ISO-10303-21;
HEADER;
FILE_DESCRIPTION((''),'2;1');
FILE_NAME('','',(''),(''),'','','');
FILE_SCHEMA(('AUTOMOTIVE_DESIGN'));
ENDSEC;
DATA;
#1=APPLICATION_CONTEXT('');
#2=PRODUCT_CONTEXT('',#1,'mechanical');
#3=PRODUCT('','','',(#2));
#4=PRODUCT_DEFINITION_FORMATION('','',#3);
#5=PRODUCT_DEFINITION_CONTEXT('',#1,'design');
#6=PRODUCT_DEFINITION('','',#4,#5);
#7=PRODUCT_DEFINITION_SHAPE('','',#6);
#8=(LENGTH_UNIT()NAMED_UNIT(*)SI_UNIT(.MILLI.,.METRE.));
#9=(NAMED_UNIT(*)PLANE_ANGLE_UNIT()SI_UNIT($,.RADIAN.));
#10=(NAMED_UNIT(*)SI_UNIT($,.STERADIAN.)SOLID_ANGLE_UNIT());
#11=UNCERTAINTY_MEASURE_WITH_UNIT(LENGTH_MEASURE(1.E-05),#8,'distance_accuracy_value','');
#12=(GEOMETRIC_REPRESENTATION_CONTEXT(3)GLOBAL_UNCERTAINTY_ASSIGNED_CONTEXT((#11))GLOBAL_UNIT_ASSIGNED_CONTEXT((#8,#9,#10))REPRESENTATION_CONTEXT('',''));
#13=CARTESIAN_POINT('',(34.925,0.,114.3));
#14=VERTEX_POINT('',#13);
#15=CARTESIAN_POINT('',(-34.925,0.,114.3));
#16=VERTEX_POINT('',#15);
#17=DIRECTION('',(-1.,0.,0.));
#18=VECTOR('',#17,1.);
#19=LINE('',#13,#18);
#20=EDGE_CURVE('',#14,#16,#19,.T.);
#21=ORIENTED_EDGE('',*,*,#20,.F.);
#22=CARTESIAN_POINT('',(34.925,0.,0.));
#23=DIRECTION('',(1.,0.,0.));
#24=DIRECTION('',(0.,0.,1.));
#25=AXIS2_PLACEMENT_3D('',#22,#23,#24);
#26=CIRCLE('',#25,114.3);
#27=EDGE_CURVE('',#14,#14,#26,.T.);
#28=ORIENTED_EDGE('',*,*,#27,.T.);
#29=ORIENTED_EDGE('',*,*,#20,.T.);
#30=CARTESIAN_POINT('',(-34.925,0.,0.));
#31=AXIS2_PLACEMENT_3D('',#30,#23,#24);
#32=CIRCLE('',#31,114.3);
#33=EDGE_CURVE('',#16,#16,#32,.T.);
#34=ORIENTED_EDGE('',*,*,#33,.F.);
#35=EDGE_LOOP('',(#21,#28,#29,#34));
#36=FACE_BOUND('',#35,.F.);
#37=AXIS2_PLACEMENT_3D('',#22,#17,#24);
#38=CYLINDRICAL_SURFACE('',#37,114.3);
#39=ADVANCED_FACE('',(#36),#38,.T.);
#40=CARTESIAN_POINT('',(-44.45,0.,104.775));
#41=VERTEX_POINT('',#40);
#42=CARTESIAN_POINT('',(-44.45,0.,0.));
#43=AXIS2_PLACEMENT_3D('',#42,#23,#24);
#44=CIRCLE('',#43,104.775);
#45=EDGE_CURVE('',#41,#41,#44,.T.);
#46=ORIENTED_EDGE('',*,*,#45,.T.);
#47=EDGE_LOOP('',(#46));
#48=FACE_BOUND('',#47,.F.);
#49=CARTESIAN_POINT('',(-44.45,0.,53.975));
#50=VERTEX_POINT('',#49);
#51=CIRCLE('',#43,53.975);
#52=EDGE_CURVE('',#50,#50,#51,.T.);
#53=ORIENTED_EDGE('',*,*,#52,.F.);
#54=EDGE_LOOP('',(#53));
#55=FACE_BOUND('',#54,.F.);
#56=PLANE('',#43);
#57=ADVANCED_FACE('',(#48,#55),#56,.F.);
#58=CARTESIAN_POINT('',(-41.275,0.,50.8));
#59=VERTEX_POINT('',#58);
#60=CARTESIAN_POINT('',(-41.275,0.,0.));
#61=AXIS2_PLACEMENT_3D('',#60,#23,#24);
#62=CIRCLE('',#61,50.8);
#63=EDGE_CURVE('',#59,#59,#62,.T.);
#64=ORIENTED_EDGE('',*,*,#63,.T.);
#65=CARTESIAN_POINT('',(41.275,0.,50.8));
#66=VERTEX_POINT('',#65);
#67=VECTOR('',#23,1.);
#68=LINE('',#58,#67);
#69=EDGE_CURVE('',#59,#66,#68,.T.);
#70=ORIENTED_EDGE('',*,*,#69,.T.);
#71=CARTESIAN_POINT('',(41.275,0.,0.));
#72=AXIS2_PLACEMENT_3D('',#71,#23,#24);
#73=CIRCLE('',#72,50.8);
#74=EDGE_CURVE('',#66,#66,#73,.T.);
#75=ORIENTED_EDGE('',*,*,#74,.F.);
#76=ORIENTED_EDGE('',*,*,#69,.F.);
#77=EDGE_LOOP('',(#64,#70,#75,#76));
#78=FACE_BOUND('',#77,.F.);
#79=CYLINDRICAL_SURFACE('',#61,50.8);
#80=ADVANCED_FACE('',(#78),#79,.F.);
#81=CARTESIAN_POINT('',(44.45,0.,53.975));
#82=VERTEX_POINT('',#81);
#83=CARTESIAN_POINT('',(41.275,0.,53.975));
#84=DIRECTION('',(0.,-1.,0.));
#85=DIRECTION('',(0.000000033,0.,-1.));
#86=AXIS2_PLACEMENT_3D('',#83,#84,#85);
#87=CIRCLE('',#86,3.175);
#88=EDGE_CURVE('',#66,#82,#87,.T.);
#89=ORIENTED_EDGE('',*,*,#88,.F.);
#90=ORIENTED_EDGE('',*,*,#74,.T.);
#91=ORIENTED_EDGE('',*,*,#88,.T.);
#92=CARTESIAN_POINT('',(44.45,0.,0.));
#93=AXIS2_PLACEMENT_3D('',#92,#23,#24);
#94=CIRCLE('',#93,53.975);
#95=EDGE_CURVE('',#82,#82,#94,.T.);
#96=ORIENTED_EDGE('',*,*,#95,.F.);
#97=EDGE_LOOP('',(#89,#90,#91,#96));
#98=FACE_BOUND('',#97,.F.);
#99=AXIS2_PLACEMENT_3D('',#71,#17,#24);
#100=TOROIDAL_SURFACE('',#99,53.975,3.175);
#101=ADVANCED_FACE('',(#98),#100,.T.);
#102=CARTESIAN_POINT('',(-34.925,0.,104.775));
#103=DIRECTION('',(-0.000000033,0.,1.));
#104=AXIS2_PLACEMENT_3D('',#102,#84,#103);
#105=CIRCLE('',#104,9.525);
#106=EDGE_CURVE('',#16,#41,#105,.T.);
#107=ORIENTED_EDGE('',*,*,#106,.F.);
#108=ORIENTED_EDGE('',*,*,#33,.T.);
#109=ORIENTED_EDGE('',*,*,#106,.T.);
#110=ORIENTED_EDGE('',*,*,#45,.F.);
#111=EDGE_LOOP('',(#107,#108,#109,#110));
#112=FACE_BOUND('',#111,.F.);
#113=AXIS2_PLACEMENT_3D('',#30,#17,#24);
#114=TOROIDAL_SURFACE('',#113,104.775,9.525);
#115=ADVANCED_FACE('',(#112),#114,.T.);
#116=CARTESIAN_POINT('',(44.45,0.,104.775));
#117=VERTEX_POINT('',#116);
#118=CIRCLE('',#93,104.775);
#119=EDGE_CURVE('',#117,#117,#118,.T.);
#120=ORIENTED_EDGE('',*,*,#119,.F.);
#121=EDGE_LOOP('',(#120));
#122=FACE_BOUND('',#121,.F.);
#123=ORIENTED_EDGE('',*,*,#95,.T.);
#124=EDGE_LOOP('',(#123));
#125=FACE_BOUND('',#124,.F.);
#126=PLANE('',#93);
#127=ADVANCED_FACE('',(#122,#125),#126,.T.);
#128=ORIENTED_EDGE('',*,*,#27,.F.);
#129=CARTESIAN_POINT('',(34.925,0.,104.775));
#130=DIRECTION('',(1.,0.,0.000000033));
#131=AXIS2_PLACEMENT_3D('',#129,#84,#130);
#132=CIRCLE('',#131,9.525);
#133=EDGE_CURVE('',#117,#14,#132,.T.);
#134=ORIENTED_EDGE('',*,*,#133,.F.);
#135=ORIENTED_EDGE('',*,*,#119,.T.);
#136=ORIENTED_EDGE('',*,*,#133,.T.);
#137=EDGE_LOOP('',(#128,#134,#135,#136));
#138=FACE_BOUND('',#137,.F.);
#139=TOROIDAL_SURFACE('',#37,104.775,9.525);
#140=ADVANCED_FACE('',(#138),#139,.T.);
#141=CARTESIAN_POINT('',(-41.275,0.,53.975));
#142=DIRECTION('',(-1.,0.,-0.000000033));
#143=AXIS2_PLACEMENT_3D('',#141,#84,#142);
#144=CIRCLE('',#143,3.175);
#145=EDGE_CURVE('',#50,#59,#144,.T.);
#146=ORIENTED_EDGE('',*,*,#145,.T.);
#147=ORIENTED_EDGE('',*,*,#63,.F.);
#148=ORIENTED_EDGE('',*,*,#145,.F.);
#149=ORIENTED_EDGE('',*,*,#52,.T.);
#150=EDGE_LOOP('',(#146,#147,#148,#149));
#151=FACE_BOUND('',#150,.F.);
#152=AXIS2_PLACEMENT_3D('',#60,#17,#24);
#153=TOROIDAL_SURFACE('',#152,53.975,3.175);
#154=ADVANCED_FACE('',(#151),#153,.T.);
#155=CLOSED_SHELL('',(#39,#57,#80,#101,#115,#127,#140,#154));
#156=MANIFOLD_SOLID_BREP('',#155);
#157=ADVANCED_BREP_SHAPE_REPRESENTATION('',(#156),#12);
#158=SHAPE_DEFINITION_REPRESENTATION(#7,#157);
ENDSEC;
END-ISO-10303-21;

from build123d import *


with BuildPart() as f1:
    # F0 (on Front) → F1 (revolve)
    with BuildSketch(Plane.XZ):
        with BuildLine():
            Line((-41.275, 50.8), (41.275, 50.8))
            ThreePointArc((41.275, 50.8), (43.520064, 51.729936), (44.45, 53.975))
            Line((44.45, 53.975), (44.45, 104.775))
            ThreePointArc((44.45, 104.775), (41.660192, 111.510192), (34.925, 114.3))
            Line((34.925, 114.3), (-34.925, 114.3))
            ThreePointArc((-34.925, 114.3), (-41.660192, 111.510192), (-44.45, 104.775))
            Line((-44.45, 104.775), (-44.45, 53.975))
            ThreePointArc((-44.45, 53.975), (-43.520064, 51.729936), (-41.275, 50.8))
        make_face()
    revolve(axis=Axis((1.813406, 0, 0), (1, 0, 0)))


solid = f1.part
